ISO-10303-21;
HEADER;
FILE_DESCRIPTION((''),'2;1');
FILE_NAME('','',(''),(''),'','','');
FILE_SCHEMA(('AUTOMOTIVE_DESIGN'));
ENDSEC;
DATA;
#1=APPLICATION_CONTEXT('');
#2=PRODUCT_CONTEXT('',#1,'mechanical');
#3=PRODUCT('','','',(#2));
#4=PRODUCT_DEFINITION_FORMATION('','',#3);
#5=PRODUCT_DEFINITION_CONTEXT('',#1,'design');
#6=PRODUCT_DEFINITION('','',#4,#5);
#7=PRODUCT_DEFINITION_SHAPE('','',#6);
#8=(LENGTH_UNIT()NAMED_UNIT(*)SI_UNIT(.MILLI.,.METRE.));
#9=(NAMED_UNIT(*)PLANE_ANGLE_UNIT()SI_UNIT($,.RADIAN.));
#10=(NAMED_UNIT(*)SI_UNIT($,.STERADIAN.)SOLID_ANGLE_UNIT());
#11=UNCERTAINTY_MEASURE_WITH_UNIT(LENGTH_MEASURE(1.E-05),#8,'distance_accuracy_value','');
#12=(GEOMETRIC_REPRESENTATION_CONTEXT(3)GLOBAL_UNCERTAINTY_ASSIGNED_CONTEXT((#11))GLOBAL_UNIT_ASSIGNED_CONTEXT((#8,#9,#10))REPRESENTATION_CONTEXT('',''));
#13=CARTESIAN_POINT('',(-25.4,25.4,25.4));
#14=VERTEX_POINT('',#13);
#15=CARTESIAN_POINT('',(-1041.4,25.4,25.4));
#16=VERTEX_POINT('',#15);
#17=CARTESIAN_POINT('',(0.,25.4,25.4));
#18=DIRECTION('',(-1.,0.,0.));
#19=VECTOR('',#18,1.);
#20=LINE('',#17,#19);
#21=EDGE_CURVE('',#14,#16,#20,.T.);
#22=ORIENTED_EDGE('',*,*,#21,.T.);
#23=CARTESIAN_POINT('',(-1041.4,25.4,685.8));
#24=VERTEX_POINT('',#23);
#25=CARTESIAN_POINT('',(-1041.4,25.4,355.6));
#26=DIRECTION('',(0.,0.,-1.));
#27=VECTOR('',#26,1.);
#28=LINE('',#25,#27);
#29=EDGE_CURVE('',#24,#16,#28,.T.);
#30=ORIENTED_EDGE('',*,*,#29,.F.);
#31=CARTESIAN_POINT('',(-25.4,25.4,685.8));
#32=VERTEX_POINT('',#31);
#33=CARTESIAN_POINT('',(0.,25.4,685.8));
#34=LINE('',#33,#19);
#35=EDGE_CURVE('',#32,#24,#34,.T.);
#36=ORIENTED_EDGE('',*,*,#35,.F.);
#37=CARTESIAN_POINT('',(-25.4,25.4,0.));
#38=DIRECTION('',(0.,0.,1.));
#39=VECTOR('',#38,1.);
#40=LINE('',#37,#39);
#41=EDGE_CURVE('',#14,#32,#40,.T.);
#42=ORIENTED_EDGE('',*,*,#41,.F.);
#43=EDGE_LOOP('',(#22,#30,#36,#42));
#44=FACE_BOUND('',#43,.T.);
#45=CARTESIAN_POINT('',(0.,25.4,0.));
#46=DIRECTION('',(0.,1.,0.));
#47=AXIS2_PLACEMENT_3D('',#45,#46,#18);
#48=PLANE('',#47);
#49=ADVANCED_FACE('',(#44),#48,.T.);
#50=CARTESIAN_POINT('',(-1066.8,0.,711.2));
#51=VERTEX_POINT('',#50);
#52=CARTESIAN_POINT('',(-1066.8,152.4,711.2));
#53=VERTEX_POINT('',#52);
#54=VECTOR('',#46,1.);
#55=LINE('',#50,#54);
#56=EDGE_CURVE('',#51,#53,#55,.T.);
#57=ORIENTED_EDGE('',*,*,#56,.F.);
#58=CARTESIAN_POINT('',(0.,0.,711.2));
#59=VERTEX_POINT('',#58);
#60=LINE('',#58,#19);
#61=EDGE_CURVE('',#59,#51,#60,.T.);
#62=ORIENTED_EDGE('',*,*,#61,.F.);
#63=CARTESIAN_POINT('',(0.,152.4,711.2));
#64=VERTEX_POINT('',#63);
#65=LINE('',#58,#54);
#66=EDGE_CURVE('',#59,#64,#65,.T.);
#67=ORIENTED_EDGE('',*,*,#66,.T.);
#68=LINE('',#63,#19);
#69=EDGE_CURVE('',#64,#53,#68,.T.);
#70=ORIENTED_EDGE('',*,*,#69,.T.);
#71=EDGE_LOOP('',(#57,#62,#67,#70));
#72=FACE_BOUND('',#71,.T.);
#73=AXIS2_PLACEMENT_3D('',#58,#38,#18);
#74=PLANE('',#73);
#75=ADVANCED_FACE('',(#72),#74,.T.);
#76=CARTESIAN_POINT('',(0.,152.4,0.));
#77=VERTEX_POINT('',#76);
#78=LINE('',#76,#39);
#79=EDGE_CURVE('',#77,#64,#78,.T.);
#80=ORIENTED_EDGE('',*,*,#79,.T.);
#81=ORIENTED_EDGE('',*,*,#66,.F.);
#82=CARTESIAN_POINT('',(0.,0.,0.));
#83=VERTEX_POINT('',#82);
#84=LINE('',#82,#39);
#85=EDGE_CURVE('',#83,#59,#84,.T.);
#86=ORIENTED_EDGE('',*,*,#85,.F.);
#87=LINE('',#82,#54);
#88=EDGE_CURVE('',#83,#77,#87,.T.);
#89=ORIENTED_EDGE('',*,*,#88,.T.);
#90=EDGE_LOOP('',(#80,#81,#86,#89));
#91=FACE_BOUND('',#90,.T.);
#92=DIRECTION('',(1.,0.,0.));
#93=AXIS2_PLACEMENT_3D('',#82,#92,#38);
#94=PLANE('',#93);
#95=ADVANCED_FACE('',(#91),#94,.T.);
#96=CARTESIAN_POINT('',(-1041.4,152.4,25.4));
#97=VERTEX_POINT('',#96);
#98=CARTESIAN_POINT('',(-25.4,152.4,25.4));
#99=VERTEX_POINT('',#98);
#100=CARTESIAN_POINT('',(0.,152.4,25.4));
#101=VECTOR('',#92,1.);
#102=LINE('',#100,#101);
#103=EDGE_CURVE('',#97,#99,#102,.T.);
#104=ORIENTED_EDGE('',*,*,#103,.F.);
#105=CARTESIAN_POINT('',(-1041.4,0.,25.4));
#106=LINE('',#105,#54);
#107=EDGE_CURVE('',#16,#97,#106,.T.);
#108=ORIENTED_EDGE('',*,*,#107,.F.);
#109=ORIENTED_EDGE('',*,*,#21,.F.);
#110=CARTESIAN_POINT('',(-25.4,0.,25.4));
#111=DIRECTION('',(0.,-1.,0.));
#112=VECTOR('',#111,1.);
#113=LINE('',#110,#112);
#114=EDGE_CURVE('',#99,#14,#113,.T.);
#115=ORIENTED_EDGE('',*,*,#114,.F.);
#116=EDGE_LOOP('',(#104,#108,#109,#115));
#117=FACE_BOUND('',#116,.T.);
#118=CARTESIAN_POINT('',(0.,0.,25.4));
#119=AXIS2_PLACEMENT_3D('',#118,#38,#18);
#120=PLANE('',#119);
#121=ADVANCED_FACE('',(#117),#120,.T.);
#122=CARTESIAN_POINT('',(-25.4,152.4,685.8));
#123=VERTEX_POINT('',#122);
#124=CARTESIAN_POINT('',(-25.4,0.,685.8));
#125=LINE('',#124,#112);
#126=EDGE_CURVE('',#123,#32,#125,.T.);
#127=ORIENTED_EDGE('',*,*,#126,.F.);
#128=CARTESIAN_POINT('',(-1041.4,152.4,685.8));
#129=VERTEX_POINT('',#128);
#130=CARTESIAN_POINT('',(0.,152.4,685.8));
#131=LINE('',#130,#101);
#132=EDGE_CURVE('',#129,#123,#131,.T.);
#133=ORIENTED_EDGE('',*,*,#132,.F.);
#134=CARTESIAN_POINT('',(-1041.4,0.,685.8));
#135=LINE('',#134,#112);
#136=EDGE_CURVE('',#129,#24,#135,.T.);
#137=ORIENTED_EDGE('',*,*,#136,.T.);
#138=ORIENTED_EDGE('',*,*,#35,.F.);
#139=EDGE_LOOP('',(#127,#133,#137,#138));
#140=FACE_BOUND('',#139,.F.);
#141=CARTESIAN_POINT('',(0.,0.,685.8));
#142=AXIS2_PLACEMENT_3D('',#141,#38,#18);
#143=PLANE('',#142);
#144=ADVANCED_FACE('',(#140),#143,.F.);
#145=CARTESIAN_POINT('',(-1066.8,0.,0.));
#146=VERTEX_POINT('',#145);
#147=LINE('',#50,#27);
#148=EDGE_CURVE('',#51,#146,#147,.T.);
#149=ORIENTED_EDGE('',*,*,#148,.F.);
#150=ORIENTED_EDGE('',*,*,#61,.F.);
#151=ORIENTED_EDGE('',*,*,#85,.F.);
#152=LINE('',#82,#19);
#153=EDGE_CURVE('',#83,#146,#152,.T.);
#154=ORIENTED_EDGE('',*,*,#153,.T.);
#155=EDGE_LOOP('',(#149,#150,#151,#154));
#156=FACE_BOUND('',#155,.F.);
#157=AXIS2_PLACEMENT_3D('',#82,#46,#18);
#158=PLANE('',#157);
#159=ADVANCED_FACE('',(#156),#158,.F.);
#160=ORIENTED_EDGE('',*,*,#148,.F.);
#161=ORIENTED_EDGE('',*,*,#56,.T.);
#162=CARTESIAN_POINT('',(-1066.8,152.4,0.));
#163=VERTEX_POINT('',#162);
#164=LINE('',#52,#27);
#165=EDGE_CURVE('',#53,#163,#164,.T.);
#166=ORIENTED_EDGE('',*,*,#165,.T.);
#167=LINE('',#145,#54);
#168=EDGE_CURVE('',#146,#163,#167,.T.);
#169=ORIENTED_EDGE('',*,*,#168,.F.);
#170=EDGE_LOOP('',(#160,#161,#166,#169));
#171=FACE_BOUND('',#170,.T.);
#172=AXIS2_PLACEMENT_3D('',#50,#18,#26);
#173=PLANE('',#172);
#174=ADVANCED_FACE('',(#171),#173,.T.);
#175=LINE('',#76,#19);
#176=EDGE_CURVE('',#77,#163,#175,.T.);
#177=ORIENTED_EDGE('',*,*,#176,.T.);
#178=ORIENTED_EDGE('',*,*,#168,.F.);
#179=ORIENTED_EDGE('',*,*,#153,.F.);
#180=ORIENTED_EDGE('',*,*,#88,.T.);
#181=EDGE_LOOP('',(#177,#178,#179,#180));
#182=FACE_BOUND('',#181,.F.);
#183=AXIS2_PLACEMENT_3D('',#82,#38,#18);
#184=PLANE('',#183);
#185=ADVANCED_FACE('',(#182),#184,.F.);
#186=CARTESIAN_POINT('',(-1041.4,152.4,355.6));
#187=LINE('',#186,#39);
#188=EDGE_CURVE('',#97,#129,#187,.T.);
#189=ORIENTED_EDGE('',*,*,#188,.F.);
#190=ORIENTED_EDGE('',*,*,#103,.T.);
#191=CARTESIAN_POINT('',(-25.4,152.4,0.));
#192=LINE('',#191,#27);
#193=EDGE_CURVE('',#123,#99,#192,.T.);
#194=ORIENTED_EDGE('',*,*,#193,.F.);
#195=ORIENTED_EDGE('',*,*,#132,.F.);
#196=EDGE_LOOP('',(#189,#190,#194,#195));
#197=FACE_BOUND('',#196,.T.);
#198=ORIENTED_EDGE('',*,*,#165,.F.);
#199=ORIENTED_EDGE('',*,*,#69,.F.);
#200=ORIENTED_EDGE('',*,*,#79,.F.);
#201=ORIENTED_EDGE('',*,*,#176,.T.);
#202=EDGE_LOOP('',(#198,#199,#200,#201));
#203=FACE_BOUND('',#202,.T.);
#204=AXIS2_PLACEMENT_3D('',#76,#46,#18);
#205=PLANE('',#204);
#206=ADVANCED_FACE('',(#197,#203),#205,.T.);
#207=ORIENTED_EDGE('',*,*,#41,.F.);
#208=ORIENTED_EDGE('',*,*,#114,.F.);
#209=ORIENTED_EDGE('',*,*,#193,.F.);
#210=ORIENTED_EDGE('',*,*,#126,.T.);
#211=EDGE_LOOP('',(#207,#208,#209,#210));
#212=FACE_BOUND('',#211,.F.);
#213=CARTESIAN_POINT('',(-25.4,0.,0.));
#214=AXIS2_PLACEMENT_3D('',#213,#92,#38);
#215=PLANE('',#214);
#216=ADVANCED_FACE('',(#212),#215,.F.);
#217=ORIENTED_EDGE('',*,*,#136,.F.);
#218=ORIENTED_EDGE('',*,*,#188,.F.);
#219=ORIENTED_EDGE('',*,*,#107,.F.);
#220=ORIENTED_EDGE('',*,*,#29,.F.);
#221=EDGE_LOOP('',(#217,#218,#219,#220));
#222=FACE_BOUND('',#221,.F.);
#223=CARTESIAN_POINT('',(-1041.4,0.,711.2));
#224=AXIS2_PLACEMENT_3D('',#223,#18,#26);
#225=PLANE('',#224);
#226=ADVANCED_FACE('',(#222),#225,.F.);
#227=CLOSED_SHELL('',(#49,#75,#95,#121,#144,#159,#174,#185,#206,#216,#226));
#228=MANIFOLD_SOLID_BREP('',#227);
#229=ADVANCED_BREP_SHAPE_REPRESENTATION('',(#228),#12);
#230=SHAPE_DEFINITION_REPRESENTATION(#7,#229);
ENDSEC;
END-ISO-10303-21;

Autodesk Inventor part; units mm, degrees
ref_plane "YZ Plane" through (0, 0, 0) normal (1, 0, 0) x (0, 1, 0)
ref_plane "XZ Plane" through (0, 0, 0) normal (0, 1, 0) x (-1, 0, 0)
ref_plane "XY Plane" through (0, 0, 0) normal (0, 0, 1) x (1, 0, 0)
sketch "Sketch1" plane through (0, 0, 0) normal (0, 1, 0) x (-1, 0, 0)
  line L0 (0, 0) -> (0, 711.2)
  line L1 (0, 711.2) -> (1066.8, 711.2)
  line L2 (0, 0) -> (1066.8, 0)
  line L3 (1066.8, 711.2) -> (1066.8, 0)
  dimension "d0" = 711.2
  dimension "d1" = 1066.8
extrude "Extrusion1" add sketch "Sketch1" along normal blind 152.4
shell "Shell1" thickness 25.4 removed faces 1 at (-355.6, 152.4, 474.1333)
properties part number "travel base"
